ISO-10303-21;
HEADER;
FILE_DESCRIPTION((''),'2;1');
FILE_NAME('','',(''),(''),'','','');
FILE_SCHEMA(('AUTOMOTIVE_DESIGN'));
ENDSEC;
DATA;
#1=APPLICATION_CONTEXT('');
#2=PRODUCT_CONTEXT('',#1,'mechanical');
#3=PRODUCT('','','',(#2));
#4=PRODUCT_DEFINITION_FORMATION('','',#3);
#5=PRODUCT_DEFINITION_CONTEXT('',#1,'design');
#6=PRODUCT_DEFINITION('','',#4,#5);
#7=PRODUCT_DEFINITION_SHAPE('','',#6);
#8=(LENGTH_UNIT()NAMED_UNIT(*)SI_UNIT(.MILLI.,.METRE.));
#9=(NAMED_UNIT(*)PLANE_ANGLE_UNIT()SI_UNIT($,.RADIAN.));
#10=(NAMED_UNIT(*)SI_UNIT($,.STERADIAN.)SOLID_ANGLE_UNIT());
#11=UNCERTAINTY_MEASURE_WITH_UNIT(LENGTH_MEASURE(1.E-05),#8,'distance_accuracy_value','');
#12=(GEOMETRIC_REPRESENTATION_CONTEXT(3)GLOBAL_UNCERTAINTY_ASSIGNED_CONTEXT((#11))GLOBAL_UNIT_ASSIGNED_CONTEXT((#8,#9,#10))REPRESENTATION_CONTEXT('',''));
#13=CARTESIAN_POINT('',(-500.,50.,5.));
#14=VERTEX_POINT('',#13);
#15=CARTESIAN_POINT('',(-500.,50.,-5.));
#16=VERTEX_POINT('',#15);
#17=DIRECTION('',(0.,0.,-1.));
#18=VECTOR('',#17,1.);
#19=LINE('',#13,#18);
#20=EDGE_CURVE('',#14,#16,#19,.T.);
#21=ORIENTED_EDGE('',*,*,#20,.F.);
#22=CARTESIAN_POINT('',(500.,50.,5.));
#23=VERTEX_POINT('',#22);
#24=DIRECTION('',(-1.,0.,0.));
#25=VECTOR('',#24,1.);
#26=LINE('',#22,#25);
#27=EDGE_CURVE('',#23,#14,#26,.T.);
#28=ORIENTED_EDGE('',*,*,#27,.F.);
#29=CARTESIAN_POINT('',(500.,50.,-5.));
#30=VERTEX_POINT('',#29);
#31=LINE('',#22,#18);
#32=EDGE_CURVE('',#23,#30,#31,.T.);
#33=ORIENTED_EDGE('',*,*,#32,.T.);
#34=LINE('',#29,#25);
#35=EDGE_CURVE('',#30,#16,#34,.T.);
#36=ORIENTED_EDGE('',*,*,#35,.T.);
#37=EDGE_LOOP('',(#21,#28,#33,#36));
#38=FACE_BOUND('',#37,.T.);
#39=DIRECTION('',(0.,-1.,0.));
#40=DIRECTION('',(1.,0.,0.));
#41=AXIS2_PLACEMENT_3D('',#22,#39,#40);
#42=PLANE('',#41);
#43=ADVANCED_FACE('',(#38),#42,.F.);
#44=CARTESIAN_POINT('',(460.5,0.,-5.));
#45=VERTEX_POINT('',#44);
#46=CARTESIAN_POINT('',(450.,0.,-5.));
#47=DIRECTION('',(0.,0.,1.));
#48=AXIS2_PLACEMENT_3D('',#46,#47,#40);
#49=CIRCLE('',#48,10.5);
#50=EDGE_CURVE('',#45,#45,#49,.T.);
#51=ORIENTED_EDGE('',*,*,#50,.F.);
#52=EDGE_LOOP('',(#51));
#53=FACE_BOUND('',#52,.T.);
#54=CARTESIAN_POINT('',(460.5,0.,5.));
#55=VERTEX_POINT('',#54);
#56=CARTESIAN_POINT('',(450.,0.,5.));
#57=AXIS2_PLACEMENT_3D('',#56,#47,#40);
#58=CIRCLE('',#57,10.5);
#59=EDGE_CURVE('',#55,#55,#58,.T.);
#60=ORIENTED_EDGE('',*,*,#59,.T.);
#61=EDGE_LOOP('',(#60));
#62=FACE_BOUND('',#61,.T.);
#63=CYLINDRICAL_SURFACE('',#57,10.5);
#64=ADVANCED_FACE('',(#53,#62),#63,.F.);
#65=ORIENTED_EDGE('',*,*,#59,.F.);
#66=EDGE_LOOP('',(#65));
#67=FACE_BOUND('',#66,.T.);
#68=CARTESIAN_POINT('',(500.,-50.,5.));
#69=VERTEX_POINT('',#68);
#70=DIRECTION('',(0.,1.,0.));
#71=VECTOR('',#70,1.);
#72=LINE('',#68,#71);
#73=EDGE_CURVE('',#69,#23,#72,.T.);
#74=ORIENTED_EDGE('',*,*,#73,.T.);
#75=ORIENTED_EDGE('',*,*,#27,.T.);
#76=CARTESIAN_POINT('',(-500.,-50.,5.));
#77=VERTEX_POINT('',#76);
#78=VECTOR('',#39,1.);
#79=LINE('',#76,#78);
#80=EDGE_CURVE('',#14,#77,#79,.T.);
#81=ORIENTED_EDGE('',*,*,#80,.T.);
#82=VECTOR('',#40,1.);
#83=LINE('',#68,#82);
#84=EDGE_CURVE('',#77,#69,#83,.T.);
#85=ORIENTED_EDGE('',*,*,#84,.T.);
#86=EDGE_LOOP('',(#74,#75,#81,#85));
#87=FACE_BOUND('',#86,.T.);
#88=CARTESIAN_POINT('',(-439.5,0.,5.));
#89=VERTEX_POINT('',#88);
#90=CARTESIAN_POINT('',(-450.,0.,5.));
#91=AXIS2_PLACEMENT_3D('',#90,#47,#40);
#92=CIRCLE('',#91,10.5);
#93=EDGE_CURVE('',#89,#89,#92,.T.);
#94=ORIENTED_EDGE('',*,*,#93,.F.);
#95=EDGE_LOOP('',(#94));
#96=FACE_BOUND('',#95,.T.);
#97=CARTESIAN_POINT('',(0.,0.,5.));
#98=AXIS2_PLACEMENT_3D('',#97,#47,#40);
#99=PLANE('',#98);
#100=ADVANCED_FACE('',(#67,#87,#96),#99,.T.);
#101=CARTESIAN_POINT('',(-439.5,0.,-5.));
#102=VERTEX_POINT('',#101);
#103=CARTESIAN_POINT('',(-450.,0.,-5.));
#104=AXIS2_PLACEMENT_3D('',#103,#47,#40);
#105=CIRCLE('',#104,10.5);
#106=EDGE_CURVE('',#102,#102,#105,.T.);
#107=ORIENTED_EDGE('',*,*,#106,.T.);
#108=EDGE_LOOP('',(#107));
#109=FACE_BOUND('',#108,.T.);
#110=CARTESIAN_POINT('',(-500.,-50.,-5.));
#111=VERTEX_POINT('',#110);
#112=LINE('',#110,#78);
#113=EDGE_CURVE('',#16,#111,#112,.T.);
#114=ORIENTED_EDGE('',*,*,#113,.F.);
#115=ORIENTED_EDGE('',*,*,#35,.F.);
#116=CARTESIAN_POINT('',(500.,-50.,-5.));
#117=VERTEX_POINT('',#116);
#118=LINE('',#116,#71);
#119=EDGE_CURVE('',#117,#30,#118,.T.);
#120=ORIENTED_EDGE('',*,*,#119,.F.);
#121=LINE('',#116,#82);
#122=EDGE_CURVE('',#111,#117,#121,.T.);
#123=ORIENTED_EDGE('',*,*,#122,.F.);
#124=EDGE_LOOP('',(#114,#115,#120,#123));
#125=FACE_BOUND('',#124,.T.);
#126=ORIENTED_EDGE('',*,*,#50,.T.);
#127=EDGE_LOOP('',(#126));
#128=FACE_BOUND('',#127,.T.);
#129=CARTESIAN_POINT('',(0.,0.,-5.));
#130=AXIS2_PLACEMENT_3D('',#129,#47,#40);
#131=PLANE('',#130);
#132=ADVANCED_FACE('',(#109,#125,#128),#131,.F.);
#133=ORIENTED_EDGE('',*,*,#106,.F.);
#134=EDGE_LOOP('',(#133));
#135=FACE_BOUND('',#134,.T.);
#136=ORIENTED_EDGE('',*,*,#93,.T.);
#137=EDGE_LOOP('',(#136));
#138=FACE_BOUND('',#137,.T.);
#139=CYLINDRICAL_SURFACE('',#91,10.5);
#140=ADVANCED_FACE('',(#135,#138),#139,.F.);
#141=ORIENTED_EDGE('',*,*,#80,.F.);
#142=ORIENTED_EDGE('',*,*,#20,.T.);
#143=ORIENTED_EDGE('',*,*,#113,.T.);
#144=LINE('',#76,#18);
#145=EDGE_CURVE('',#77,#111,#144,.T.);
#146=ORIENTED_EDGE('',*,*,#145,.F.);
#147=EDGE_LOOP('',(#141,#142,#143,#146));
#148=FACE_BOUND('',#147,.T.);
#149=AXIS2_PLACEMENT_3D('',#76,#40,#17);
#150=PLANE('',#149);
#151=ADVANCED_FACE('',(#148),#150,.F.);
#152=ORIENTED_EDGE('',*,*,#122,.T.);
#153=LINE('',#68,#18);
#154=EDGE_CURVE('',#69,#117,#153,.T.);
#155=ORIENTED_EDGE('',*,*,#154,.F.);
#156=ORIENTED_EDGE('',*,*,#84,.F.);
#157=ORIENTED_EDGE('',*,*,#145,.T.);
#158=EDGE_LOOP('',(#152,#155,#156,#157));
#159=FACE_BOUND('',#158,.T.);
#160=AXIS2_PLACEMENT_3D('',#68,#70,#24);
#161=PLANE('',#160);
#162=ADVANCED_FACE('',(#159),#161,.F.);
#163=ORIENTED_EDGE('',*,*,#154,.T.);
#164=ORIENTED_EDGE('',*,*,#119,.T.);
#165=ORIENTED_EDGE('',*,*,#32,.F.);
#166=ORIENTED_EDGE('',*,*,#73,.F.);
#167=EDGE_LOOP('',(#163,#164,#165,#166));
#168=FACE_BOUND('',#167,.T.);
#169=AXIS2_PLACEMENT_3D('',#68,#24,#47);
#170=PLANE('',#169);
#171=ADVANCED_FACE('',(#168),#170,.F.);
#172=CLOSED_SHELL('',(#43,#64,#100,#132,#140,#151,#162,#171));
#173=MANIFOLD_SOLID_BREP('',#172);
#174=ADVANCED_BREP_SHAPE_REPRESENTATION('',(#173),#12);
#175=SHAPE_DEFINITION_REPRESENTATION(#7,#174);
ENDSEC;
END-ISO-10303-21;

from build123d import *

# Parameters (mm, degrees)
SKETCH_1_W          = 1000
SKETCH_1_H          = 100
EXTRUDE_1_DEPTH     = 5
HOLE_WIZARD_M24_1_D = 21


with BuildPart() as part:
    # 草图1 → 凸台-拉伸1 (new body, symmetric)
    with BuildSketch(Plane.XY):
        Rectangle(SKETCH_1_W, SKETCH_1_H)
    extrude(amount=EXTRUDE_1_DEPTH, both=True)

    # M24 螺纹孔1 (through all)
    with Locations(Plane.XY.offset(5)):
        with Locations((-450, 0), (450, 0)):
            Hole(HOLE_WIZARD_M24_1_D / 2)


solid = part.part
